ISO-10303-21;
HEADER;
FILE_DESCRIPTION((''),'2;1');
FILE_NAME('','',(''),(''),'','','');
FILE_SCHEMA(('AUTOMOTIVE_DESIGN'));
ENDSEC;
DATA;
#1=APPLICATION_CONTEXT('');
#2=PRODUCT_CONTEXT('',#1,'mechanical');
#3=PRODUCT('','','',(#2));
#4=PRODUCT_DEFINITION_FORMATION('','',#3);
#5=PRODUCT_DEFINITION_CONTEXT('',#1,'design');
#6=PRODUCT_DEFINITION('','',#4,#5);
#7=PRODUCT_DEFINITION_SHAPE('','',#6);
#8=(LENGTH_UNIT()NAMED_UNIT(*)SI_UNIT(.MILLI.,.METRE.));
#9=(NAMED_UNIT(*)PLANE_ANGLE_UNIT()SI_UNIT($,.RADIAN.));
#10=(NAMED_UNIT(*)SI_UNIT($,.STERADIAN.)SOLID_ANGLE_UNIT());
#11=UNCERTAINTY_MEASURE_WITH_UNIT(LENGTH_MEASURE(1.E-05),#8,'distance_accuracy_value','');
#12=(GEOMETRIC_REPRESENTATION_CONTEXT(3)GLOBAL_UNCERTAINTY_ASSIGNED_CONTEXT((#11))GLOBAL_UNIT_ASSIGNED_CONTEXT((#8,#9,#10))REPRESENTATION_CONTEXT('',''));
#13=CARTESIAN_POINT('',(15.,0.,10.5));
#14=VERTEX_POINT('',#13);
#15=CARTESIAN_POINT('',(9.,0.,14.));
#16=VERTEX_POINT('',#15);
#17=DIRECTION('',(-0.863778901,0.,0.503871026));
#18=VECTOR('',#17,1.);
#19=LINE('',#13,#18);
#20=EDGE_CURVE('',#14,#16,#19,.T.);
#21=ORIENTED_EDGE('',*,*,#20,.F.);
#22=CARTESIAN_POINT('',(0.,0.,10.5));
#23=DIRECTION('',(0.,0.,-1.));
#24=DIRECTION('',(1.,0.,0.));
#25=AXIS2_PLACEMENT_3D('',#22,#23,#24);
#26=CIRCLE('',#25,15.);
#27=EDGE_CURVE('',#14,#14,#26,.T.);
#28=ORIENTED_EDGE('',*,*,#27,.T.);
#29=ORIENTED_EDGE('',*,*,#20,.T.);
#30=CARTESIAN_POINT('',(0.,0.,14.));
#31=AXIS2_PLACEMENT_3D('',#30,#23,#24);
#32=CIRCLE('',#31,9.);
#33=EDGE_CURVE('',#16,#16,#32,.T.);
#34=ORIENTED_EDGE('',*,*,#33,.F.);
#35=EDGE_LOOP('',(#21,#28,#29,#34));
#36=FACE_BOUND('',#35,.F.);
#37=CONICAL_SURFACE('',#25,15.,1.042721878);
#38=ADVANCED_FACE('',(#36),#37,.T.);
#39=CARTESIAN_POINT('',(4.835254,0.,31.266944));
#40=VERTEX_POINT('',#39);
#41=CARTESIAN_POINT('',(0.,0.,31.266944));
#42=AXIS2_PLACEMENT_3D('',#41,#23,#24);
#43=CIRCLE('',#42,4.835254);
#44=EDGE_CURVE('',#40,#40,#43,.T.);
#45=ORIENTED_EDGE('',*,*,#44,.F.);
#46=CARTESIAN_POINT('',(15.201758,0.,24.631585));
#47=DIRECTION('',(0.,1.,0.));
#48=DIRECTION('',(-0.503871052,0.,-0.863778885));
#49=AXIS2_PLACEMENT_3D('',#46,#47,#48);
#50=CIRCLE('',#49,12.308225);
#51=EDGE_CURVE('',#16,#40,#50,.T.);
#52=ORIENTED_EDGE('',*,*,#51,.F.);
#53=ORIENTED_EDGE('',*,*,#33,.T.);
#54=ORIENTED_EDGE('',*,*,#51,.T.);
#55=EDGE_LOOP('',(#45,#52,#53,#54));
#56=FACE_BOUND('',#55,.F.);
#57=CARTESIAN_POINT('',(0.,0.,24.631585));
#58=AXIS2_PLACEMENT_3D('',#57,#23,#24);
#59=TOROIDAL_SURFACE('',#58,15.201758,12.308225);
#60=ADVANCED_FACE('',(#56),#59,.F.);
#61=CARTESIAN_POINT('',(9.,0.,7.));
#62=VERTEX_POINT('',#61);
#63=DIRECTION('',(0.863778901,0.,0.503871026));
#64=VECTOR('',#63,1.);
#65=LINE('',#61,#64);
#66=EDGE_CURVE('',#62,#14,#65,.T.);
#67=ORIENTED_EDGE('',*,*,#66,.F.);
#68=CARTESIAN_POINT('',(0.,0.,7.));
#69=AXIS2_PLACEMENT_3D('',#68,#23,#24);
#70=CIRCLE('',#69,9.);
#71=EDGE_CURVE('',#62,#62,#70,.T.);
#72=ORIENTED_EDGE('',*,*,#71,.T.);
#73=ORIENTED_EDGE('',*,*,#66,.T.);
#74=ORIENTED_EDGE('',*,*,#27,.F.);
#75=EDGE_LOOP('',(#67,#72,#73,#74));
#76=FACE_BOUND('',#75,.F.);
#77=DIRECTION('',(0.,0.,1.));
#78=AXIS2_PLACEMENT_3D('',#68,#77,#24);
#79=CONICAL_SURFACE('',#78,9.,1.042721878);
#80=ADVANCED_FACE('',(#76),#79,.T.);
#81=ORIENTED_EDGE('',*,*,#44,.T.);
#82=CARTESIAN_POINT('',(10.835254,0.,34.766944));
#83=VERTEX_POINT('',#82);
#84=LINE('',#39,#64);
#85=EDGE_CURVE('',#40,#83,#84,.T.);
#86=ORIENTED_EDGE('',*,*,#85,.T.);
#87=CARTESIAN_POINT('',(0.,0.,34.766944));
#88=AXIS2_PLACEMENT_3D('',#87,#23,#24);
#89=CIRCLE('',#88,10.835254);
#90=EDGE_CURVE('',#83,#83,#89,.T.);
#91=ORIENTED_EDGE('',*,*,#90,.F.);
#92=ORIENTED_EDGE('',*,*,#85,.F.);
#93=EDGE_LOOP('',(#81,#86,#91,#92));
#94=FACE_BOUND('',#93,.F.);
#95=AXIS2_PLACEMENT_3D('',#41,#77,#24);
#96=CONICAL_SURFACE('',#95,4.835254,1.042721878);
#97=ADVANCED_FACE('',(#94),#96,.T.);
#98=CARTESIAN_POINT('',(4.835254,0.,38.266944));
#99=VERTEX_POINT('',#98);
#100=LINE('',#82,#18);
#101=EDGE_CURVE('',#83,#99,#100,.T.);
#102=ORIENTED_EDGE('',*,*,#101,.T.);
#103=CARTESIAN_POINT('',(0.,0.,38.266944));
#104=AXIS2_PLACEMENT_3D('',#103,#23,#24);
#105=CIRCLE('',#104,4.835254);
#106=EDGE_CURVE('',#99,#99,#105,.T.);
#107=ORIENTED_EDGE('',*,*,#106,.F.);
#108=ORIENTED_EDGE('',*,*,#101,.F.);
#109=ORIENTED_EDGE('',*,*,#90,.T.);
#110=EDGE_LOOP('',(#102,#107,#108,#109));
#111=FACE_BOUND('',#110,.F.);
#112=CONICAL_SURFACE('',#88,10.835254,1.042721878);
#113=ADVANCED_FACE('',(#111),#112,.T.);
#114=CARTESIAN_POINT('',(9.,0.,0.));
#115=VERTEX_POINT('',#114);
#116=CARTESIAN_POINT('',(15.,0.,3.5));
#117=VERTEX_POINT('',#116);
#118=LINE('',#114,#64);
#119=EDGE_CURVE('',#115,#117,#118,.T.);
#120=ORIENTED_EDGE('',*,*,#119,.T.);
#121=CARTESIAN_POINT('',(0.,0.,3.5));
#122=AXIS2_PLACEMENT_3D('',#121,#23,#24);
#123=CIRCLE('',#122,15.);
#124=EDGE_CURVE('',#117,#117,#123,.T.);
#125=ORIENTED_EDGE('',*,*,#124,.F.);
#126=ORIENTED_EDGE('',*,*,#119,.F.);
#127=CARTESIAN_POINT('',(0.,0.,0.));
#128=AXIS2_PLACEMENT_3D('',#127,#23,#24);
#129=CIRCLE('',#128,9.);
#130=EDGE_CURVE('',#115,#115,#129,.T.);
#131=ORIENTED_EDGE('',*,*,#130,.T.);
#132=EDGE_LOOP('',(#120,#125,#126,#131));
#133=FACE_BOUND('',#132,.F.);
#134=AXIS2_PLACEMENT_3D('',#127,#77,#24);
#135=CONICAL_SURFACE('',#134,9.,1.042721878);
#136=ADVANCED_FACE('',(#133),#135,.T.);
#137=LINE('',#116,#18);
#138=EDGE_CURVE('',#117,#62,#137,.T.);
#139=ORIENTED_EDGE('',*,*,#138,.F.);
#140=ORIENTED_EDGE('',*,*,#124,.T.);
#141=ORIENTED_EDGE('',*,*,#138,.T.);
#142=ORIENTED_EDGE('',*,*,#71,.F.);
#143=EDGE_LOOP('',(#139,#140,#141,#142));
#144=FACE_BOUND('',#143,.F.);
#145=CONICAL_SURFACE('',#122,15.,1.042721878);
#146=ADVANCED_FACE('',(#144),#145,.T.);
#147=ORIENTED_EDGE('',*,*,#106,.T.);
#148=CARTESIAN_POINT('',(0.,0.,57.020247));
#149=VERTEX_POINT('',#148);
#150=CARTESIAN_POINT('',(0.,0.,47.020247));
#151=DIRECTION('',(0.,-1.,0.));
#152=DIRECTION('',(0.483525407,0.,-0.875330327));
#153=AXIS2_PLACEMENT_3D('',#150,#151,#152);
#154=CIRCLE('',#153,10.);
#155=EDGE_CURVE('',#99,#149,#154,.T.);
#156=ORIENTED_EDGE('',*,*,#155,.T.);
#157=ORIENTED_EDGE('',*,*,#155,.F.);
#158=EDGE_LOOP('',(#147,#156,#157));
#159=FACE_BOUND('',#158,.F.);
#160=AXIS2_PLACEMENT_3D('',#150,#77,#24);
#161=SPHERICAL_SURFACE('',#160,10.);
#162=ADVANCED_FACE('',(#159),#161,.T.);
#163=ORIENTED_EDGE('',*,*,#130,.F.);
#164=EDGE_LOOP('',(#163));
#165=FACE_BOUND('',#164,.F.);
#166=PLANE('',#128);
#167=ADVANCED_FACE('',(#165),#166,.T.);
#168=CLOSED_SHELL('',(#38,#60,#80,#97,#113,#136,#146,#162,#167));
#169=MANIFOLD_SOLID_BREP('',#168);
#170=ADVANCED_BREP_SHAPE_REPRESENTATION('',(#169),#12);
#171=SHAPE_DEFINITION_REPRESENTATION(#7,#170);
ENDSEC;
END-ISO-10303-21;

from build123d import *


with BuildPart() as f1:
    # F0 (on Front) → F1 (revolve)
    with BuildSketch(Plane.XZ):
        with BuildLine():
            Line((0, 57.020247), (0, 0))
            Line((0, 0), (9, 0))
            Line((9, 0), (15, 3.5))
            Line((15, 3.5), (9, 7))
            Line((9, 7), (15, 10.5))
            Line((15, 10.5), (9, 14))
            ThreePointArc((9, 14), (3.236656, 21.745631), (4.835254, 31.266944))
            Line((4.835254, 31.266944), (10.835254, 34.766944))
            Line((10.835254, 34.766944), (4.835254, 38.266944))
            ThreePointArc((4.835254, 38.266944), (9.683311, 49.516942), (0, 57.020247))
        make_face()
    revolve(axis=Axis((0, 0, 28.510124), (0, 0, -1)))


solid = f1.part
